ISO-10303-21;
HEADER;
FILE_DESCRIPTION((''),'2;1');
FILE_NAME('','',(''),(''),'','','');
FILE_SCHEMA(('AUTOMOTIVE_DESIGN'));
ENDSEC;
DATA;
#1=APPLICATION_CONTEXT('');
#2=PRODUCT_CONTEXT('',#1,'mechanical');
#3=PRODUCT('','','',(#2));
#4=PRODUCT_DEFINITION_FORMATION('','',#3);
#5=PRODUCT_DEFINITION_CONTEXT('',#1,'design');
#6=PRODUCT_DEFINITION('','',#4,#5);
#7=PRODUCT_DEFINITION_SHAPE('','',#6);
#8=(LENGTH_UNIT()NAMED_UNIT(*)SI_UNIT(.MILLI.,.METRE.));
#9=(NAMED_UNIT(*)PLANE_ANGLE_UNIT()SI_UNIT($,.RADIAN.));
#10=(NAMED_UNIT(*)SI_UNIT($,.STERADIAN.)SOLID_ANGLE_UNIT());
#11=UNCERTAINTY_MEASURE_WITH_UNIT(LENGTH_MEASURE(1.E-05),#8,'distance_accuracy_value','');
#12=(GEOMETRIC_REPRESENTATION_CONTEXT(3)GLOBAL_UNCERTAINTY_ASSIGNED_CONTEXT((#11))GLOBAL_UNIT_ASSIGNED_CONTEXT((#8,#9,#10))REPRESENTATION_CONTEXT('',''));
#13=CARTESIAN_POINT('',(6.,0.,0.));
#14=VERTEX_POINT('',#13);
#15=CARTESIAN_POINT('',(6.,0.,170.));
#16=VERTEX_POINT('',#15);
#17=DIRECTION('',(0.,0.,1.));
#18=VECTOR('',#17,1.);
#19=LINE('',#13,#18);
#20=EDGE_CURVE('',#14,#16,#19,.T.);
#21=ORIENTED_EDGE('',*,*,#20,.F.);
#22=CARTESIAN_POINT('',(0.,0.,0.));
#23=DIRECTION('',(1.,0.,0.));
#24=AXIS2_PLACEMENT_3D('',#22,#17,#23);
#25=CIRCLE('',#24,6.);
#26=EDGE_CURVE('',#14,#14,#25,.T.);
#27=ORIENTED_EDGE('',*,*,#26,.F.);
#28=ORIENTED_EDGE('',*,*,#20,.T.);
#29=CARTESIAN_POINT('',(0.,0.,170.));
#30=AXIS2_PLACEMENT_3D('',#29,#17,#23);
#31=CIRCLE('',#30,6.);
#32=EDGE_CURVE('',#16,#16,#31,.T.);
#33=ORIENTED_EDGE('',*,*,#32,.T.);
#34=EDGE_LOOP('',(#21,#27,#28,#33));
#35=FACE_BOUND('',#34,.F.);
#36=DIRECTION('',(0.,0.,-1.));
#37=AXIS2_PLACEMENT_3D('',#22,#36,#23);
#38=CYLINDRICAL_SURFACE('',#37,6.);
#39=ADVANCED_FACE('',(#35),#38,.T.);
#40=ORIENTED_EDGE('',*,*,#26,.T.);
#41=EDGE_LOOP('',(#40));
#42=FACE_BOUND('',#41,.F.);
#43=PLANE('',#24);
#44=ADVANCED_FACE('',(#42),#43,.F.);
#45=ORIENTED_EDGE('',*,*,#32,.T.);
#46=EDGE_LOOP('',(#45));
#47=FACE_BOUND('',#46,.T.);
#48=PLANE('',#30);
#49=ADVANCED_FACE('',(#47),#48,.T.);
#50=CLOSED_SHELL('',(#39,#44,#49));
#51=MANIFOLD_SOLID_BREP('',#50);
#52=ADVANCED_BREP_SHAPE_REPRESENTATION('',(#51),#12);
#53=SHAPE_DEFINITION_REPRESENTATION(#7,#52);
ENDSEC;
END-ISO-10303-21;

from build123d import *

# Parameters (mm, degrees)
CROQUIS1_R              = 6
SALIENTE_EXTRUIR1_DEPTH = 170


with BuildPart() as part:
    # Croquis1 → Saliente-Extruir1 (new body)
    with BuildSketch(Plane.XY):
        Circle(CROQUIS1_R)
    extrude(amount=SALIENTE_EXTRUIR1_DEPTH)


solid = part.part
